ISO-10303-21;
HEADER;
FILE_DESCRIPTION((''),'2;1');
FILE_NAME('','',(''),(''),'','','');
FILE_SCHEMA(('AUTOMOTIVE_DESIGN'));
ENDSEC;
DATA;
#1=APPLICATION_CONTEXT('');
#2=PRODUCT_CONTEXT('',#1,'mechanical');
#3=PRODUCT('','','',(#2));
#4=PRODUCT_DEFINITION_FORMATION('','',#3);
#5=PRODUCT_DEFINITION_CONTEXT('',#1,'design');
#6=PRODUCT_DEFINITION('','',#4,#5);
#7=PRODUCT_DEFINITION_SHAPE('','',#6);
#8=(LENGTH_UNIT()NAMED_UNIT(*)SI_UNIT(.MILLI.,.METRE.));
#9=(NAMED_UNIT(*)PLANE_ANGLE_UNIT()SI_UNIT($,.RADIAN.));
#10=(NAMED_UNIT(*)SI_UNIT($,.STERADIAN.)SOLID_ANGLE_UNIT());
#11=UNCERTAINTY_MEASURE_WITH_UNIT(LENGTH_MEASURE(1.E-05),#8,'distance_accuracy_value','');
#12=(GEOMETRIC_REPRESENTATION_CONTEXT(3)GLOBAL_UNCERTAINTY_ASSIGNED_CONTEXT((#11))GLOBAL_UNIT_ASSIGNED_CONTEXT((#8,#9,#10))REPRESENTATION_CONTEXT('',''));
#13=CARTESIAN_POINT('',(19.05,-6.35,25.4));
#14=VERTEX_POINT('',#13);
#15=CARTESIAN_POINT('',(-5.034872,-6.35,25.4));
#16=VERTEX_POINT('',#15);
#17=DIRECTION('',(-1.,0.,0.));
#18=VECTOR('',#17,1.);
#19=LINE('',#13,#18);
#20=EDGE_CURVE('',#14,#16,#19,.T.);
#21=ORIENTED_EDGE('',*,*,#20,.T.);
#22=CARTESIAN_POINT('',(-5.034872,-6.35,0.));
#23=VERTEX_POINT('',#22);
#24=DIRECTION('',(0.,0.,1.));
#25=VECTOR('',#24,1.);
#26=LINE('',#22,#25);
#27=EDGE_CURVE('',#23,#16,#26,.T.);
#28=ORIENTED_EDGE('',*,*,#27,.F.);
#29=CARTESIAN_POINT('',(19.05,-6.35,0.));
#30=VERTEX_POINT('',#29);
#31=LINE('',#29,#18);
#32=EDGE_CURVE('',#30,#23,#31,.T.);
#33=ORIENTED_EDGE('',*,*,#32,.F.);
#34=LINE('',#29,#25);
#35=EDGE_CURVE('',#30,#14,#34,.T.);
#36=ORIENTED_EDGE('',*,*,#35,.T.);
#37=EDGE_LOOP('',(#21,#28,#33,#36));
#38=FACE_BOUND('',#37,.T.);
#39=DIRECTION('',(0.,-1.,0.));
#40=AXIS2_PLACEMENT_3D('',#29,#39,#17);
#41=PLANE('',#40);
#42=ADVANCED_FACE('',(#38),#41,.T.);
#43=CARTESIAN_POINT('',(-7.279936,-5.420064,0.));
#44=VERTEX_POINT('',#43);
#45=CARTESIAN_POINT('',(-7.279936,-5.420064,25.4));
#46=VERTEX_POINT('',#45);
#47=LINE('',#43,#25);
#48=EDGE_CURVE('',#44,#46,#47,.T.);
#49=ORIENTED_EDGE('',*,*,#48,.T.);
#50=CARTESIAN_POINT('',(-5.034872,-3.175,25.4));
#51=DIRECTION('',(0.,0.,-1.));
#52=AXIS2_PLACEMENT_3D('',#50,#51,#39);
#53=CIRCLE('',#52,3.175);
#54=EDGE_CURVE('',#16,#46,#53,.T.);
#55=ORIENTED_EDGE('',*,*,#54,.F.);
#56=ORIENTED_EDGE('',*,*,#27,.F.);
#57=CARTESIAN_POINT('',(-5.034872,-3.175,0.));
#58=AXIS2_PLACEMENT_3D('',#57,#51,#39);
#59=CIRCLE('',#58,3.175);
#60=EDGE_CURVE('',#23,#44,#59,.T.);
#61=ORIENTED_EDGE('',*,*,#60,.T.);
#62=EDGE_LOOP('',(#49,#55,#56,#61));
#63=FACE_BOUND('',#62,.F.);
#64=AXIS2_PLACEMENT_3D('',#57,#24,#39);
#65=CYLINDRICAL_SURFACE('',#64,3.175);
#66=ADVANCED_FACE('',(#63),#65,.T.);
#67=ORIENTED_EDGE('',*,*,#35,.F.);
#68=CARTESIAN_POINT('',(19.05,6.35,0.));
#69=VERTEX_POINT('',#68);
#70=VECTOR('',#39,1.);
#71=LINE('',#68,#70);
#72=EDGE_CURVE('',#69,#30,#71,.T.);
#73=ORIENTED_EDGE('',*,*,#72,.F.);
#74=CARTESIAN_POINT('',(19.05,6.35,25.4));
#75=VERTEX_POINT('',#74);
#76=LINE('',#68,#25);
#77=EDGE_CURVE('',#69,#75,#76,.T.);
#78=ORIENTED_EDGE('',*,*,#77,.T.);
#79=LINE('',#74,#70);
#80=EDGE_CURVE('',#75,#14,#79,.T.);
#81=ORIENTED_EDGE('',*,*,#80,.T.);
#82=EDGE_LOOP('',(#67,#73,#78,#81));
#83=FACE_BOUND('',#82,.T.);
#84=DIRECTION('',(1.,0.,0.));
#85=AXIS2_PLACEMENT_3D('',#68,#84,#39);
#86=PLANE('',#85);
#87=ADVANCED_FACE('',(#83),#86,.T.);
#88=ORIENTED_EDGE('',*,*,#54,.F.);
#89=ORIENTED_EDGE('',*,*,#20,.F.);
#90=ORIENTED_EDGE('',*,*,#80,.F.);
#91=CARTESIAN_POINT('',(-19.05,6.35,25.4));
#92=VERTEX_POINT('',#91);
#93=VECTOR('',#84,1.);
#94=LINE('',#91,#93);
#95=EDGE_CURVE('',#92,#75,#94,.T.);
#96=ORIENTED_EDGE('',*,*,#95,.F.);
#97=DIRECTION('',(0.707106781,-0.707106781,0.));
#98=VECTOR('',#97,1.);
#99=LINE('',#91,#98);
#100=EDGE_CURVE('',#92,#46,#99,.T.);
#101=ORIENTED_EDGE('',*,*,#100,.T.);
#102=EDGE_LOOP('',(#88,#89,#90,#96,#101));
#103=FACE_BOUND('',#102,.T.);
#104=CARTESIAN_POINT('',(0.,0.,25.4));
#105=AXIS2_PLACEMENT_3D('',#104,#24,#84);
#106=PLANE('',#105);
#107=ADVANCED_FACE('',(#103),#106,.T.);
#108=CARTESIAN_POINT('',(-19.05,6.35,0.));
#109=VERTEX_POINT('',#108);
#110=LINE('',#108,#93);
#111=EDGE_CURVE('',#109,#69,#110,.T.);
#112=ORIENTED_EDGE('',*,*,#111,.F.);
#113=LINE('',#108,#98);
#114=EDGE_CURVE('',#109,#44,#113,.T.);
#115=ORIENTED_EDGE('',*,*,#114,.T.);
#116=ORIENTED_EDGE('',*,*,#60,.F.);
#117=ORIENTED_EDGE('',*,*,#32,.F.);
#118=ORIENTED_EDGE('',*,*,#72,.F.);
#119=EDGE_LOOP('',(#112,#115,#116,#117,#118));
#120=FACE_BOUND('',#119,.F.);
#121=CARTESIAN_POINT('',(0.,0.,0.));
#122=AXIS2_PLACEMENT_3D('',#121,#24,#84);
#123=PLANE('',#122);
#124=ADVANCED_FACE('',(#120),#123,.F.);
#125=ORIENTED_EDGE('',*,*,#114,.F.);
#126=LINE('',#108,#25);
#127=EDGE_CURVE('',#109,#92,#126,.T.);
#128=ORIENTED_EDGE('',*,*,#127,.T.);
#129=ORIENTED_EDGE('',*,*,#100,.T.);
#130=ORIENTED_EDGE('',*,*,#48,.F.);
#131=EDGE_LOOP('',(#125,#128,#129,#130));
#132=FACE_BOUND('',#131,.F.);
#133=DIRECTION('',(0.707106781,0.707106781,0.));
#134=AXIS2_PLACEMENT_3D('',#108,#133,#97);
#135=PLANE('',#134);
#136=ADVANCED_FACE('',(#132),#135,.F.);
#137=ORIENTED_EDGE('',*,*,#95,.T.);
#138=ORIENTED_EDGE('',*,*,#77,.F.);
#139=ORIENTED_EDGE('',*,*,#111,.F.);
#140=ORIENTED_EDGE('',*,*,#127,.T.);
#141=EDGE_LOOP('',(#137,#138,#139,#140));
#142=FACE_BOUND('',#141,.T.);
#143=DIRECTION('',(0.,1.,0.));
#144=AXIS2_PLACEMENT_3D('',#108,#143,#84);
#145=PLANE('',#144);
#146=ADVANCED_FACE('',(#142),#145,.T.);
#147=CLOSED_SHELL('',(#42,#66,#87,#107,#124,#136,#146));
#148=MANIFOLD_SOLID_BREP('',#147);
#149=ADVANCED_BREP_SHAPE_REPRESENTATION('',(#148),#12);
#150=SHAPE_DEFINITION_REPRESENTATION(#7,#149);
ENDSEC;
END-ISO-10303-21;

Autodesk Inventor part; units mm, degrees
ref_plane "YZ Plane" through (0, 0, 0) normal (1, 0, 0) x (0, 1, 0)
ref_plane "XZ Plane" through (0, 0, 0) normal (0, 1, 0) x (-1, 0, 0)
ref_plane "XY Plane" through (0, 0, 0) normal (0, 0, 1) x (1, 0, 0)
sketch "Sketch1" plane through (0, 0, 0) normal (0, 0, 1) x (1, 0, 0)
  line L0 (19.05, -6.35) -> (-19.05, -6.35)
  line L1 (-19.05, -6.35) -> (-19.05, 6.35)
  line L2 (-19.05, 6.35) -> (19.05, 6.35)
  line L3 (19.05, 6.35) -> (19.05, -6.35)
  line L4 (19.05, -6.35) -> (-19.05, 6.35) construction
  line L5 (-19.05, -6.35) -> (19.05, 6.35) construction
  line L6 (-19.05, 6.35) -> (-6.35, -6.35)
  line L7 (-19.05, 6.35) -> (1.6336, 6.35) construction
  point P0 (0, 0)
  dimension "d0" = 38.1
  dimension "d1" = 12.7
  dimension "d2" = 45
extrude "Extrusion1" add sketch "Sketch1" along normal blind 25.4 contours L0 L6 L2 L3
fillet "Fillet1" radius 3.175 1 edges at (-6.35, -6.35, 12.7)
properties part number "Hard_Stop"
